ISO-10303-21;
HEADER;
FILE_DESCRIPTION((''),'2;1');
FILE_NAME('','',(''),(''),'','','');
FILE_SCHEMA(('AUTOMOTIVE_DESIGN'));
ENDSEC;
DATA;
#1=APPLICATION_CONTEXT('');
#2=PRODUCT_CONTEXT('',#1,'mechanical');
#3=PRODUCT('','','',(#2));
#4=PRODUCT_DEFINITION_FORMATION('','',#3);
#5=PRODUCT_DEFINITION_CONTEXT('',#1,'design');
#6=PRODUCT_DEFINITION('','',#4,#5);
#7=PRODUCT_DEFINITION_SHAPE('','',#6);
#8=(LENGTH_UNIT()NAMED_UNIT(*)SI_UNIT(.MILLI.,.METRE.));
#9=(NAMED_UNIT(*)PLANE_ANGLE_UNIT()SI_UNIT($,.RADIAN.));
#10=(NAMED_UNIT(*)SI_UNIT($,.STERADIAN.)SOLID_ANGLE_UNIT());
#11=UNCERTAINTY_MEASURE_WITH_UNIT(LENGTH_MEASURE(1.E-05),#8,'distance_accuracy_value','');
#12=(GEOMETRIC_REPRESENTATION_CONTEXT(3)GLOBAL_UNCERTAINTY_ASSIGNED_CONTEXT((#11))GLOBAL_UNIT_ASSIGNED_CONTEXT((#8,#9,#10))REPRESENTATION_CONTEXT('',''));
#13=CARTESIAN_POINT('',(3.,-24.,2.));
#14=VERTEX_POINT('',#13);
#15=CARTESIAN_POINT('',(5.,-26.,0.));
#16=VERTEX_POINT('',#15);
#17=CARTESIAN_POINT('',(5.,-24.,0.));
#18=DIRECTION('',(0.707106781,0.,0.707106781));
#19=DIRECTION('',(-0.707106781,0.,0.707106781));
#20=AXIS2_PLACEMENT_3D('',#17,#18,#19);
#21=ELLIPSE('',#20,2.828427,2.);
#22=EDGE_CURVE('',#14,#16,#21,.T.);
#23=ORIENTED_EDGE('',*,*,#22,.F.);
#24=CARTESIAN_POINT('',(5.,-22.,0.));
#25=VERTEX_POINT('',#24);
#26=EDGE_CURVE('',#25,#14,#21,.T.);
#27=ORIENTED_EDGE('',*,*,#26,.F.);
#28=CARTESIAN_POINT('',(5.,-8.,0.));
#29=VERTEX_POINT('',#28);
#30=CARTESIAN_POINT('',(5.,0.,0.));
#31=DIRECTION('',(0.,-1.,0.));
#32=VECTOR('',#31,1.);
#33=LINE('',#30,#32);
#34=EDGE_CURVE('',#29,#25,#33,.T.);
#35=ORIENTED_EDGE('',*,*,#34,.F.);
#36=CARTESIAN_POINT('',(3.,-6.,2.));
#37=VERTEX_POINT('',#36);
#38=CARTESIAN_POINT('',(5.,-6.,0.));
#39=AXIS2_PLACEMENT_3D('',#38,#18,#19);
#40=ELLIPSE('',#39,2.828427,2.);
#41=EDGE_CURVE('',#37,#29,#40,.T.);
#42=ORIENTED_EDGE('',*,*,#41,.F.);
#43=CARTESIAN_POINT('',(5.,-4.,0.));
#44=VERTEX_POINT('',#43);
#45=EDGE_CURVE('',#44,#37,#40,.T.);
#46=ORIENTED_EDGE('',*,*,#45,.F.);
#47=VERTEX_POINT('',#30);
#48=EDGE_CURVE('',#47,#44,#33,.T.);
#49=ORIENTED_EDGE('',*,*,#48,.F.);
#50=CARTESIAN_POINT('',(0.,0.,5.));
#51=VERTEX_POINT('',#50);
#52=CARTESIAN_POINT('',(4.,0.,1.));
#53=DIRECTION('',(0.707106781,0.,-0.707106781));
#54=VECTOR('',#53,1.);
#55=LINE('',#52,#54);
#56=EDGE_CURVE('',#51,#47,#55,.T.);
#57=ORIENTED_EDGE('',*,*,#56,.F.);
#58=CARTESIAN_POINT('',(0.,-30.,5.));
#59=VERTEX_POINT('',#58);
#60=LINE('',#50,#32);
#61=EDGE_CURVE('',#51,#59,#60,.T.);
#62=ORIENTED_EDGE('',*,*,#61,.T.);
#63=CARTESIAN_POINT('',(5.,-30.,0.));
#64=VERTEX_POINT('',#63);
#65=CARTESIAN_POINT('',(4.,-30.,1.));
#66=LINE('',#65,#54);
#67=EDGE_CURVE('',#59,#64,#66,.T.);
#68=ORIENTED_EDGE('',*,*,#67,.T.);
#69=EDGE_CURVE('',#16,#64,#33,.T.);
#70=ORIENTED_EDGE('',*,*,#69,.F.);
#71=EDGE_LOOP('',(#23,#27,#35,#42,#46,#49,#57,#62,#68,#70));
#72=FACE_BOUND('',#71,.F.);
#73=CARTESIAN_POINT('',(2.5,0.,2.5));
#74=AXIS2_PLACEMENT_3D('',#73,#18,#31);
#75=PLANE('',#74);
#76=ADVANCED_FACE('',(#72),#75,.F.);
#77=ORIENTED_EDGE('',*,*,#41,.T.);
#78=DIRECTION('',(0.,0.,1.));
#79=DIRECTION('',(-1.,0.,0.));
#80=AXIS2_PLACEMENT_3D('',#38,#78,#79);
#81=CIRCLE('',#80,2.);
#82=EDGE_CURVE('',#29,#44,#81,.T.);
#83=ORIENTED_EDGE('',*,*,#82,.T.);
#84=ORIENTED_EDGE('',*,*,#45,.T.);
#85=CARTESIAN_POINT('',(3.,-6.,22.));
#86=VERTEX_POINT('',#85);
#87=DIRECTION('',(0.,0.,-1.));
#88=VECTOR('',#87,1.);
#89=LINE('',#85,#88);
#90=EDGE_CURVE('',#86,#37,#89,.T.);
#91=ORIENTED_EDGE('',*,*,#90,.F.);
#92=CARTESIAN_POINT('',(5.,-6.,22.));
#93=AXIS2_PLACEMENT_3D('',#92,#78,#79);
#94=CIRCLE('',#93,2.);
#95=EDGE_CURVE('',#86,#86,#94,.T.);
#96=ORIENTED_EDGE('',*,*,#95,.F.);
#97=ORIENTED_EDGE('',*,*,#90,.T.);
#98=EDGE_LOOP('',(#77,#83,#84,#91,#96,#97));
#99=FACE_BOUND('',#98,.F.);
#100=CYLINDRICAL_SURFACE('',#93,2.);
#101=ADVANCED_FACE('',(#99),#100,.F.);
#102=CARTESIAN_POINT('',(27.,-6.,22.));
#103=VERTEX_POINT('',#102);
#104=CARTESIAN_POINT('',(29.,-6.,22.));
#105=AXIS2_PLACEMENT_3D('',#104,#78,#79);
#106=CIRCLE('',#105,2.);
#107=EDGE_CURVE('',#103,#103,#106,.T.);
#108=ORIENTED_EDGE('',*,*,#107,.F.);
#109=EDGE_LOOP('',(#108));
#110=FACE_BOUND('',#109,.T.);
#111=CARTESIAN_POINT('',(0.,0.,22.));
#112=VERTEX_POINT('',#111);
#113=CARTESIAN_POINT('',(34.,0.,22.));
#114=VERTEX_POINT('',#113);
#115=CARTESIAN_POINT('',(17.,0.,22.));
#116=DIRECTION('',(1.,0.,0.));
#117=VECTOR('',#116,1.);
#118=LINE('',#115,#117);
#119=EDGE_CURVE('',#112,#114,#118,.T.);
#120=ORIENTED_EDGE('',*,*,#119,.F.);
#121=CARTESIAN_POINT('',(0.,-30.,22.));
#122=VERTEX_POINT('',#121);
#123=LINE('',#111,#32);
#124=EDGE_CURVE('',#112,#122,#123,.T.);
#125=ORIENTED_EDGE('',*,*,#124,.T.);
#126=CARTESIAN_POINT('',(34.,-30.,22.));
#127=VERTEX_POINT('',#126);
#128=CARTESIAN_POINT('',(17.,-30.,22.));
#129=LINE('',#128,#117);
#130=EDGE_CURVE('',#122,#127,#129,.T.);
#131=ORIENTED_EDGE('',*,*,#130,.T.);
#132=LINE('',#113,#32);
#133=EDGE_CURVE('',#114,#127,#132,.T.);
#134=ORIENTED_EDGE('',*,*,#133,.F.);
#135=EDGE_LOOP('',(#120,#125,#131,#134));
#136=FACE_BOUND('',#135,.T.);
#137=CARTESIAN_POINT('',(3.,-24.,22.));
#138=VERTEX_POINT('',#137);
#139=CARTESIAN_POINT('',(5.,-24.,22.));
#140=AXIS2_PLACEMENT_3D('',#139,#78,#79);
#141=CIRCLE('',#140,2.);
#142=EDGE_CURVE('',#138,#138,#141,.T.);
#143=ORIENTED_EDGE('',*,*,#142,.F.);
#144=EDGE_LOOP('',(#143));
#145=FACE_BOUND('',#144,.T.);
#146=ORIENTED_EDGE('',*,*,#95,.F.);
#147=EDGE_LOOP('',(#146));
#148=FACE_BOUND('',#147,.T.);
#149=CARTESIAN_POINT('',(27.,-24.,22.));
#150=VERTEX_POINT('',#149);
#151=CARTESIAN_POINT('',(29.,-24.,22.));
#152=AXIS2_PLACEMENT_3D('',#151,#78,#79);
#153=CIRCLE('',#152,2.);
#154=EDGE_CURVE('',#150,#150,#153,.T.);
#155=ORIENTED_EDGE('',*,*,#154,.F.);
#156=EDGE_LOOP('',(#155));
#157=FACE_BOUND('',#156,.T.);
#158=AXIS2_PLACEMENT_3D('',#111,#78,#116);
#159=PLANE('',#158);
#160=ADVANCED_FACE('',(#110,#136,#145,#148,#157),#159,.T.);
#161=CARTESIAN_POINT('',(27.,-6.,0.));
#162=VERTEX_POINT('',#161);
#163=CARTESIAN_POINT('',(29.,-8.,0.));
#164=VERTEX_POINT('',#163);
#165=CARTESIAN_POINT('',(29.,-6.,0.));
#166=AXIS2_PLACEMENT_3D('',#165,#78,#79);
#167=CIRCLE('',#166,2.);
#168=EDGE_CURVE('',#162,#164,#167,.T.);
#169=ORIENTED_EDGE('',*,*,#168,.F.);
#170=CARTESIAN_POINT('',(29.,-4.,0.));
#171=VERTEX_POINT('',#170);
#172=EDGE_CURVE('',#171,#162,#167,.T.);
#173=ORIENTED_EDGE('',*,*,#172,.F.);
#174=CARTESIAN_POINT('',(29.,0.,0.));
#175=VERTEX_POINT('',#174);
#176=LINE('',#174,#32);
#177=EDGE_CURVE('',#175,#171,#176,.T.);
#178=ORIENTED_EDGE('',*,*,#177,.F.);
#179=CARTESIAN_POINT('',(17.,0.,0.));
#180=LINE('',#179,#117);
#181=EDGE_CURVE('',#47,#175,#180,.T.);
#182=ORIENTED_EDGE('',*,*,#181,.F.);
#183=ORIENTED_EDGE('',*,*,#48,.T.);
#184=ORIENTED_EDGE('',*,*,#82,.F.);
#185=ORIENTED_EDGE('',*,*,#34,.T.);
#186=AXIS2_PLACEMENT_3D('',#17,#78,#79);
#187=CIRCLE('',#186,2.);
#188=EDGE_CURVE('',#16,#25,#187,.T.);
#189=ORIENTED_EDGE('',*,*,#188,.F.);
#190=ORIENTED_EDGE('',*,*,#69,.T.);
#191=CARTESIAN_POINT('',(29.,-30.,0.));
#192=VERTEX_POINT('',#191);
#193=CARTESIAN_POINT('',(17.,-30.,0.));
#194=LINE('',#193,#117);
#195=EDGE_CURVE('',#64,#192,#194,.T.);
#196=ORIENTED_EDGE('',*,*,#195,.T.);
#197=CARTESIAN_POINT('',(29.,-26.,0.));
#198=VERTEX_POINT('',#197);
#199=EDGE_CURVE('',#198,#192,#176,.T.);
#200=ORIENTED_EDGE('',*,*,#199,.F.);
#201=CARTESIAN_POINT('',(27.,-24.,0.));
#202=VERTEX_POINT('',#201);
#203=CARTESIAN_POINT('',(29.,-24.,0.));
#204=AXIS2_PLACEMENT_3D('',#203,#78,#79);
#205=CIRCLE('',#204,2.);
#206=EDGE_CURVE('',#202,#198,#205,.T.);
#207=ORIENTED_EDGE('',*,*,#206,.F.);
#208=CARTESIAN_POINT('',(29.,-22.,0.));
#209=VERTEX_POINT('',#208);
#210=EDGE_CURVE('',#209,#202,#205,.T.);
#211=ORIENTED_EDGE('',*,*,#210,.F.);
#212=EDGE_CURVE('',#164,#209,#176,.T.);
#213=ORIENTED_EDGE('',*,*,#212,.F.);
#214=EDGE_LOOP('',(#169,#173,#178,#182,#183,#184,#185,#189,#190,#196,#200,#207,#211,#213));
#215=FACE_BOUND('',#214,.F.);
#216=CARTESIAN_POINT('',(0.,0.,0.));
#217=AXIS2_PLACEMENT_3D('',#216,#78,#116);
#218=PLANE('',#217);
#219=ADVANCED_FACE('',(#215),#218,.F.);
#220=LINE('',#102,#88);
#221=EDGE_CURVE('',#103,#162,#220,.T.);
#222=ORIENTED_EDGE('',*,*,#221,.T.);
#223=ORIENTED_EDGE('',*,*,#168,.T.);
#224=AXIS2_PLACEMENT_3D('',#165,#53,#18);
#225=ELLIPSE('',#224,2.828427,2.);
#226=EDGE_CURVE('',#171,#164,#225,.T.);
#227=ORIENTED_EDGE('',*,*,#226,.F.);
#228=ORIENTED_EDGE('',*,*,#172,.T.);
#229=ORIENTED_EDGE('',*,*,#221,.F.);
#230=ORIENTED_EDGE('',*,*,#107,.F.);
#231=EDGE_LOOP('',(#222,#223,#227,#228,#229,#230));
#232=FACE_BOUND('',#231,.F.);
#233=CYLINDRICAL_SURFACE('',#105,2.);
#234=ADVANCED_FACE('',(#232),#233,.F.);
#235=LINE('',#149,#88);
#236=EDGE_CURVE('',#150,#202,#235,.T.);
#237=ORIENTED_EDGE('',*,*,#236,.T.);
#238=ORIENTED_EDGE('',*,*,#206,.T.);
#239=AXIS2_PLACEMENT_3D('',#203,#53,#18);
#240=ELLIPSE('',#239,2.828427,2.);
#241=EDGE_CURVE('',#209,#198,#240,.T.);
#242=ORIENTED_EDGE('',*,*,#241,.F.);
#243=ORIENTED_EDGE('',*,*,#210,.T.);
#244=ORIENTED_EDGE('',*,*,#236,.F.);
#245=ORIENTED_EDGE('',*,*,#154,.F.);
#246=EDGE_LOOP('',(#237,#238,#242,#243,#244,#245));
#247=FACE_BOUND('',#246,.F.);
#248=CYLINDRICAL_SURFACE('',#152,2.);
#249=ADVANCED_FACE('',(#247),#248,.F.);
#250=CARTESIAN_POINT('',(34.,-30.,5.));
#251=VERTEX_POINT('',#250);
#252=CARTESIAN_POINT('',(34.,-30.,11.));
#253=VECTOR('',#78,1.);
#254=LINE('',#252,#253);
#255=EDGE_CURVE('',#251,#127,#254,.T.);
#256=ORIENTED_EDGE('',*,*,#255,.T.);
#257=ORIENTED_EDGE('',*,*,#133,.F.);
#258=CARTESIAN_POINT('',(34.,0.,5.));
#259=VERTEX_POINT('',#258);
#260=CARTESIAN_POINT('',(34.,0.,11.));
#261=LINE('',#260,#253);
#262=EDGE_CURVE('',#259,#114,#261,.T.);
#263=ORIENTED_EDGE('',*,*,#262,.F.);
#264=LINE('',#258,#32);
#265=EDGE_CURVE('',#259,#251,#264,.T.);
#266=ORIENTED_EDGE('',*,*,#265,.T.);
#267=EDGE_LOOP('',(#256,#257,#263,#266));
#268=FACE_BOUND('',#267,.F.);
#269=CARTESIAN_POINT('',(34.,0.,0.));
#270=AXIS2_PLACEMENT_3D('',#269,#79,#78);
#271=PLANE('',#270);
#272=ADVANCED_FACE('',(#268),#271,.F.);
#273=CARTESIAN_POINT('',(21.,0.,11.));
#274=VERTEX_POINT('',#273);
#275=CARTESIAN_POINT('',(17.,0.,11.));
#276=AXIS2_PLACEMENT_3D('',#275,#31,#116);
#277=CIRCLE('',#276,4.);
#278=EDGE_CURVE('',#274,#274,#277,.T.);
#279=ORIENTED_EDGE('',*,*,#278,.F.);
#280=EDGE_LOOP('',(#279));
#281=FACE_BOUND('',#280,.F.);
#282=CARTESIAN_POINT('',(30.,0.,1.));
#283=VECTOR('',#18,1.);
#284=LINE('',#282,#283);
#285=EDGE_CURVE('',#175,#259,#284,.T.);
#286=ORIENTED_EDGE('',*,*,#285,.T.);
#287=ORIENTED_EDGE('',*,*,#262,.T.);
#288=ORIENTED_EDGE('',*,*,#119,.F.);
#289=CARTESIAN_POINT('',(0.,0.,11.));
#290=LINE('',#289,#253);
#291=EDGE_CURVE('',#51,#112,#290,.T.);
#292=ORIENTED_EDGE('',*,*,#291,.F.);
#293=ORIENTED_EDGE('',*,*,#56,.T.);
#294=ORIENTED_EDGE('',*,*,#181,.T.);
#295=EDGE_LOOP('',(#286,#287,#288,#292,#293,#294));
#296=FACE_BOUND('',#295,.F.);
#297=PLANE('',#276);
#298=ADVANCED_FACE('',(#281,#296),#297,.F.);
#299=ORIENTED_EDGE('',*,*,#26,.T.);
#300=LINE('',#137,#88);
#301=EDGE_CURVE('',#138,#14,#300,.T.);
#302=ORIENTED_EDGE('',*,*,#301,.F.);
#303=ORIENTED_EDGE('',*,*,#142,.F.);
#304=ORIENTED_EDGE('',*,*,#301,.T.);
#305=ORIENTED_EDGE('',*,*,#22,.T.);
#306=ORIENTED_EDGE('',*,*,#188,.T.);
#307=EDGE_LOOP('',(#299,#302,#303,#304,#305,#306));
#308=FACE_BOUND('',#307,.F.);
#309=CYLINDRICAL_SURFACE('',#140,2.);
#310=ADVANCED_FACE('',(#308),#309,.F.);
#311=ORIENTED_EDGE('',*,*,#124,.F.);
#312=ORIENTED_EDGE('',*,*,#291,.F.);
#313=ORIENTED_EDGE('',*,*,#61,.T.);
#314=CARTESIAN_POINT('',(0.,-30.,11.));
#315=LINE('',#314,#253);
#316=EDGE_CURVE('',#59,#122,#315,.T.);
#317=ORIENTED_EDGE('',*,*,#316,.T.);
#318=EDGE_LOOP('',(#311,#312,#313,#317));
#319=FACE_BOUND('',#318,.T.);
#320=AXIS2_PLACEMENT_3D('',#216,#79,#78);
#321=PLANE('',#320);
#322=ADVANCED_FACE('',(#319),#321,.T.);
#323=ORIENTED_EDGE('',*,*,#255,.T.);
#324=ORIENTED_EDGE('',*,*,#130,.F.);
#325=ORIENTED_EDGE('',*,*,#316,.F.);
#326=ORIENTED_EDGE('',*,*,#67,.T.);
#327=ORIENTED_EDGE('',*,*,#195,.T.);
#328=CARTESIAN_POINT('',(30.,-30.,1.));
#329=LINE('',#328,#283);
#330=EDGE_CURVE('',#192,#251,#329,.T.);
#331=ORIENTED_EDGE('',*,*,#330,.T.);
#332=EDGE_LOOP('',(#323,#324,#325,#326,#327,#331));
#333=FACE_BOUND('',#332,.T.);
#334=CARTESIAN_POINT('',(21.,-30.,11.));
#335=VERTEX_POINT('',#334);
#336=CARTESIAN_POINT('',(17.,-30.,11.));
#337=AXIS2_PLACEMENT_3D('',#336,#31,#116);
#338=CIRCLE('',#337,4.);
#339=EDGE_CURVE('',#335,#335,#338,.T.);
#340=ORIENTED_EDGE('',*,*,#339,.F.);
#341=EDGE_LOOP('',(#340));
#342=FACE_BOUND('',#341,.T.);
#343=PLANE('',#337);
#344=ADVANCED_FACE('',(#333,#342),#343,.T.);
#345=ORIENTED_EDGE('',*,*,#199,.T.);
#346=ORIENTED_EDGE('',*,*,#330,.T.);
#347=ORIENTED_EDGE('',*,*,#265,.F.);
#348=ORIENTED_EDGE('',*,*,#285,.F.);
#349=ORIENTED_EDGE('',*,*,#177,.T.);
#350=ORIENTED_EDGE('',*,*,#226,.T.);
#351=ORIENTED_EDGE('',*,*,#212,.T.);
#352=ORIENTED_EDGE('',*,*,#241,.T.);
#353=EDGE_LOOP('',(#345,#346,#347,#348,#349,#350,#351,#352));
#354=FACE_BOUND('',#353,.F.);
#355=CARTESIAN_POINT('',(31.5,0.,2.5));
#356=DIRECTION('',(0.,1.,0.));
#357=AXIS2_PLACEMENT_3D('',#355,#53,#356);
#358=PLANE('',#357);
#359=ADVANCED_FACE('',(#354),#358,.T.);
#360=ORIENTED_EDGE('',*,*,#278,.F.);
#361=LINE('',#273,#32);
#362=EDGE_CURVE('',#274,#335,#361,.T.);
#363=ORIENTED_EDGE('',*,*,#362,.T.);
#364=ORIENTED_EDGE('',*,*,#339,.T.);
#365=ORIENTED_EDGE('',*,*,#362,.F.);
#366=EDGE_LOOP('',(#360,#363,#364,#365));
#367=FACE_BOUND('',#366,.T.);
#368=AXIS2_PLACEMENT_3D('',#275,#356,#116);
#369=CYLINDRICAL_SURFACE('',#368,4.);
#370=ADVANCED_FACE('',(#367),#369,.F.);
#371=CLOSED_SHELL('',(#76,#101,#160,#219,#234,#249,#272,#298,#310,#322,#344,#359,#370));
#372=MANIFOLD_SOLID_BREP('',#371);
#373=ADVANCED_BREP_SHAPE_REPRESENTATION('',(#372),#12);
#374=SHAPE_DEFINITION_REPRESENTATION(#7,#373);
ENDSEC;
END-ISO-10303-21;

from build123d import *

# Parameters (mm, degrees)
SKETCH_W     = 34
SKETCH_H     = 22
SKETCH_R     = 4
PAD_DEPTH    = 30
CHAMFER_SIZE = 5
SKETCH001_R  = 2
POCKET_DEPTH = 22


with BuildPart() as part:
    # Sketch → Pad (new body)
    with BuildSketch(Plane.XZ):
        with Locations((17, 11)):
            Rectangle(SKETCH_W, SKETCH_H)
        with Locations((17, 11)):
            Circle(SKETCH_R, mode=Mode.SUBTRACT)
    extrude(amount=PAD_DEPTH)

    # Chamfer
    chamfer_edges = [part.edges().sort_by_distance(p)[0] for p in [
        (0, -15, 0),
        (34, -15, 0),
    ]]
    chamfer(chamfer_edges, length=CHAMFER_SIZE)

    # Sketch001 (on Face8 of Chamfer) → Pocket (cut)
    with BuildSketch(Plane(origin=(0, 0, 22), x_dir=(-1, 0, 0), z_dir=(0, 0, 1))):
        with Locations((-29, 24)):
            Circle(SKETCH001_R)
        with Locations((-5, 24)):
            Circle(SKETCH001_R)
        with Locations((-29, 6)):
            Circle(SKETCH001_R)
        with Locations((-5, 6)):
            Circle(SKETCH001_R)
    extrude(amount=-POCKET_DEPTH, mode=Mode.SUBTRACT)


solid = part.part
